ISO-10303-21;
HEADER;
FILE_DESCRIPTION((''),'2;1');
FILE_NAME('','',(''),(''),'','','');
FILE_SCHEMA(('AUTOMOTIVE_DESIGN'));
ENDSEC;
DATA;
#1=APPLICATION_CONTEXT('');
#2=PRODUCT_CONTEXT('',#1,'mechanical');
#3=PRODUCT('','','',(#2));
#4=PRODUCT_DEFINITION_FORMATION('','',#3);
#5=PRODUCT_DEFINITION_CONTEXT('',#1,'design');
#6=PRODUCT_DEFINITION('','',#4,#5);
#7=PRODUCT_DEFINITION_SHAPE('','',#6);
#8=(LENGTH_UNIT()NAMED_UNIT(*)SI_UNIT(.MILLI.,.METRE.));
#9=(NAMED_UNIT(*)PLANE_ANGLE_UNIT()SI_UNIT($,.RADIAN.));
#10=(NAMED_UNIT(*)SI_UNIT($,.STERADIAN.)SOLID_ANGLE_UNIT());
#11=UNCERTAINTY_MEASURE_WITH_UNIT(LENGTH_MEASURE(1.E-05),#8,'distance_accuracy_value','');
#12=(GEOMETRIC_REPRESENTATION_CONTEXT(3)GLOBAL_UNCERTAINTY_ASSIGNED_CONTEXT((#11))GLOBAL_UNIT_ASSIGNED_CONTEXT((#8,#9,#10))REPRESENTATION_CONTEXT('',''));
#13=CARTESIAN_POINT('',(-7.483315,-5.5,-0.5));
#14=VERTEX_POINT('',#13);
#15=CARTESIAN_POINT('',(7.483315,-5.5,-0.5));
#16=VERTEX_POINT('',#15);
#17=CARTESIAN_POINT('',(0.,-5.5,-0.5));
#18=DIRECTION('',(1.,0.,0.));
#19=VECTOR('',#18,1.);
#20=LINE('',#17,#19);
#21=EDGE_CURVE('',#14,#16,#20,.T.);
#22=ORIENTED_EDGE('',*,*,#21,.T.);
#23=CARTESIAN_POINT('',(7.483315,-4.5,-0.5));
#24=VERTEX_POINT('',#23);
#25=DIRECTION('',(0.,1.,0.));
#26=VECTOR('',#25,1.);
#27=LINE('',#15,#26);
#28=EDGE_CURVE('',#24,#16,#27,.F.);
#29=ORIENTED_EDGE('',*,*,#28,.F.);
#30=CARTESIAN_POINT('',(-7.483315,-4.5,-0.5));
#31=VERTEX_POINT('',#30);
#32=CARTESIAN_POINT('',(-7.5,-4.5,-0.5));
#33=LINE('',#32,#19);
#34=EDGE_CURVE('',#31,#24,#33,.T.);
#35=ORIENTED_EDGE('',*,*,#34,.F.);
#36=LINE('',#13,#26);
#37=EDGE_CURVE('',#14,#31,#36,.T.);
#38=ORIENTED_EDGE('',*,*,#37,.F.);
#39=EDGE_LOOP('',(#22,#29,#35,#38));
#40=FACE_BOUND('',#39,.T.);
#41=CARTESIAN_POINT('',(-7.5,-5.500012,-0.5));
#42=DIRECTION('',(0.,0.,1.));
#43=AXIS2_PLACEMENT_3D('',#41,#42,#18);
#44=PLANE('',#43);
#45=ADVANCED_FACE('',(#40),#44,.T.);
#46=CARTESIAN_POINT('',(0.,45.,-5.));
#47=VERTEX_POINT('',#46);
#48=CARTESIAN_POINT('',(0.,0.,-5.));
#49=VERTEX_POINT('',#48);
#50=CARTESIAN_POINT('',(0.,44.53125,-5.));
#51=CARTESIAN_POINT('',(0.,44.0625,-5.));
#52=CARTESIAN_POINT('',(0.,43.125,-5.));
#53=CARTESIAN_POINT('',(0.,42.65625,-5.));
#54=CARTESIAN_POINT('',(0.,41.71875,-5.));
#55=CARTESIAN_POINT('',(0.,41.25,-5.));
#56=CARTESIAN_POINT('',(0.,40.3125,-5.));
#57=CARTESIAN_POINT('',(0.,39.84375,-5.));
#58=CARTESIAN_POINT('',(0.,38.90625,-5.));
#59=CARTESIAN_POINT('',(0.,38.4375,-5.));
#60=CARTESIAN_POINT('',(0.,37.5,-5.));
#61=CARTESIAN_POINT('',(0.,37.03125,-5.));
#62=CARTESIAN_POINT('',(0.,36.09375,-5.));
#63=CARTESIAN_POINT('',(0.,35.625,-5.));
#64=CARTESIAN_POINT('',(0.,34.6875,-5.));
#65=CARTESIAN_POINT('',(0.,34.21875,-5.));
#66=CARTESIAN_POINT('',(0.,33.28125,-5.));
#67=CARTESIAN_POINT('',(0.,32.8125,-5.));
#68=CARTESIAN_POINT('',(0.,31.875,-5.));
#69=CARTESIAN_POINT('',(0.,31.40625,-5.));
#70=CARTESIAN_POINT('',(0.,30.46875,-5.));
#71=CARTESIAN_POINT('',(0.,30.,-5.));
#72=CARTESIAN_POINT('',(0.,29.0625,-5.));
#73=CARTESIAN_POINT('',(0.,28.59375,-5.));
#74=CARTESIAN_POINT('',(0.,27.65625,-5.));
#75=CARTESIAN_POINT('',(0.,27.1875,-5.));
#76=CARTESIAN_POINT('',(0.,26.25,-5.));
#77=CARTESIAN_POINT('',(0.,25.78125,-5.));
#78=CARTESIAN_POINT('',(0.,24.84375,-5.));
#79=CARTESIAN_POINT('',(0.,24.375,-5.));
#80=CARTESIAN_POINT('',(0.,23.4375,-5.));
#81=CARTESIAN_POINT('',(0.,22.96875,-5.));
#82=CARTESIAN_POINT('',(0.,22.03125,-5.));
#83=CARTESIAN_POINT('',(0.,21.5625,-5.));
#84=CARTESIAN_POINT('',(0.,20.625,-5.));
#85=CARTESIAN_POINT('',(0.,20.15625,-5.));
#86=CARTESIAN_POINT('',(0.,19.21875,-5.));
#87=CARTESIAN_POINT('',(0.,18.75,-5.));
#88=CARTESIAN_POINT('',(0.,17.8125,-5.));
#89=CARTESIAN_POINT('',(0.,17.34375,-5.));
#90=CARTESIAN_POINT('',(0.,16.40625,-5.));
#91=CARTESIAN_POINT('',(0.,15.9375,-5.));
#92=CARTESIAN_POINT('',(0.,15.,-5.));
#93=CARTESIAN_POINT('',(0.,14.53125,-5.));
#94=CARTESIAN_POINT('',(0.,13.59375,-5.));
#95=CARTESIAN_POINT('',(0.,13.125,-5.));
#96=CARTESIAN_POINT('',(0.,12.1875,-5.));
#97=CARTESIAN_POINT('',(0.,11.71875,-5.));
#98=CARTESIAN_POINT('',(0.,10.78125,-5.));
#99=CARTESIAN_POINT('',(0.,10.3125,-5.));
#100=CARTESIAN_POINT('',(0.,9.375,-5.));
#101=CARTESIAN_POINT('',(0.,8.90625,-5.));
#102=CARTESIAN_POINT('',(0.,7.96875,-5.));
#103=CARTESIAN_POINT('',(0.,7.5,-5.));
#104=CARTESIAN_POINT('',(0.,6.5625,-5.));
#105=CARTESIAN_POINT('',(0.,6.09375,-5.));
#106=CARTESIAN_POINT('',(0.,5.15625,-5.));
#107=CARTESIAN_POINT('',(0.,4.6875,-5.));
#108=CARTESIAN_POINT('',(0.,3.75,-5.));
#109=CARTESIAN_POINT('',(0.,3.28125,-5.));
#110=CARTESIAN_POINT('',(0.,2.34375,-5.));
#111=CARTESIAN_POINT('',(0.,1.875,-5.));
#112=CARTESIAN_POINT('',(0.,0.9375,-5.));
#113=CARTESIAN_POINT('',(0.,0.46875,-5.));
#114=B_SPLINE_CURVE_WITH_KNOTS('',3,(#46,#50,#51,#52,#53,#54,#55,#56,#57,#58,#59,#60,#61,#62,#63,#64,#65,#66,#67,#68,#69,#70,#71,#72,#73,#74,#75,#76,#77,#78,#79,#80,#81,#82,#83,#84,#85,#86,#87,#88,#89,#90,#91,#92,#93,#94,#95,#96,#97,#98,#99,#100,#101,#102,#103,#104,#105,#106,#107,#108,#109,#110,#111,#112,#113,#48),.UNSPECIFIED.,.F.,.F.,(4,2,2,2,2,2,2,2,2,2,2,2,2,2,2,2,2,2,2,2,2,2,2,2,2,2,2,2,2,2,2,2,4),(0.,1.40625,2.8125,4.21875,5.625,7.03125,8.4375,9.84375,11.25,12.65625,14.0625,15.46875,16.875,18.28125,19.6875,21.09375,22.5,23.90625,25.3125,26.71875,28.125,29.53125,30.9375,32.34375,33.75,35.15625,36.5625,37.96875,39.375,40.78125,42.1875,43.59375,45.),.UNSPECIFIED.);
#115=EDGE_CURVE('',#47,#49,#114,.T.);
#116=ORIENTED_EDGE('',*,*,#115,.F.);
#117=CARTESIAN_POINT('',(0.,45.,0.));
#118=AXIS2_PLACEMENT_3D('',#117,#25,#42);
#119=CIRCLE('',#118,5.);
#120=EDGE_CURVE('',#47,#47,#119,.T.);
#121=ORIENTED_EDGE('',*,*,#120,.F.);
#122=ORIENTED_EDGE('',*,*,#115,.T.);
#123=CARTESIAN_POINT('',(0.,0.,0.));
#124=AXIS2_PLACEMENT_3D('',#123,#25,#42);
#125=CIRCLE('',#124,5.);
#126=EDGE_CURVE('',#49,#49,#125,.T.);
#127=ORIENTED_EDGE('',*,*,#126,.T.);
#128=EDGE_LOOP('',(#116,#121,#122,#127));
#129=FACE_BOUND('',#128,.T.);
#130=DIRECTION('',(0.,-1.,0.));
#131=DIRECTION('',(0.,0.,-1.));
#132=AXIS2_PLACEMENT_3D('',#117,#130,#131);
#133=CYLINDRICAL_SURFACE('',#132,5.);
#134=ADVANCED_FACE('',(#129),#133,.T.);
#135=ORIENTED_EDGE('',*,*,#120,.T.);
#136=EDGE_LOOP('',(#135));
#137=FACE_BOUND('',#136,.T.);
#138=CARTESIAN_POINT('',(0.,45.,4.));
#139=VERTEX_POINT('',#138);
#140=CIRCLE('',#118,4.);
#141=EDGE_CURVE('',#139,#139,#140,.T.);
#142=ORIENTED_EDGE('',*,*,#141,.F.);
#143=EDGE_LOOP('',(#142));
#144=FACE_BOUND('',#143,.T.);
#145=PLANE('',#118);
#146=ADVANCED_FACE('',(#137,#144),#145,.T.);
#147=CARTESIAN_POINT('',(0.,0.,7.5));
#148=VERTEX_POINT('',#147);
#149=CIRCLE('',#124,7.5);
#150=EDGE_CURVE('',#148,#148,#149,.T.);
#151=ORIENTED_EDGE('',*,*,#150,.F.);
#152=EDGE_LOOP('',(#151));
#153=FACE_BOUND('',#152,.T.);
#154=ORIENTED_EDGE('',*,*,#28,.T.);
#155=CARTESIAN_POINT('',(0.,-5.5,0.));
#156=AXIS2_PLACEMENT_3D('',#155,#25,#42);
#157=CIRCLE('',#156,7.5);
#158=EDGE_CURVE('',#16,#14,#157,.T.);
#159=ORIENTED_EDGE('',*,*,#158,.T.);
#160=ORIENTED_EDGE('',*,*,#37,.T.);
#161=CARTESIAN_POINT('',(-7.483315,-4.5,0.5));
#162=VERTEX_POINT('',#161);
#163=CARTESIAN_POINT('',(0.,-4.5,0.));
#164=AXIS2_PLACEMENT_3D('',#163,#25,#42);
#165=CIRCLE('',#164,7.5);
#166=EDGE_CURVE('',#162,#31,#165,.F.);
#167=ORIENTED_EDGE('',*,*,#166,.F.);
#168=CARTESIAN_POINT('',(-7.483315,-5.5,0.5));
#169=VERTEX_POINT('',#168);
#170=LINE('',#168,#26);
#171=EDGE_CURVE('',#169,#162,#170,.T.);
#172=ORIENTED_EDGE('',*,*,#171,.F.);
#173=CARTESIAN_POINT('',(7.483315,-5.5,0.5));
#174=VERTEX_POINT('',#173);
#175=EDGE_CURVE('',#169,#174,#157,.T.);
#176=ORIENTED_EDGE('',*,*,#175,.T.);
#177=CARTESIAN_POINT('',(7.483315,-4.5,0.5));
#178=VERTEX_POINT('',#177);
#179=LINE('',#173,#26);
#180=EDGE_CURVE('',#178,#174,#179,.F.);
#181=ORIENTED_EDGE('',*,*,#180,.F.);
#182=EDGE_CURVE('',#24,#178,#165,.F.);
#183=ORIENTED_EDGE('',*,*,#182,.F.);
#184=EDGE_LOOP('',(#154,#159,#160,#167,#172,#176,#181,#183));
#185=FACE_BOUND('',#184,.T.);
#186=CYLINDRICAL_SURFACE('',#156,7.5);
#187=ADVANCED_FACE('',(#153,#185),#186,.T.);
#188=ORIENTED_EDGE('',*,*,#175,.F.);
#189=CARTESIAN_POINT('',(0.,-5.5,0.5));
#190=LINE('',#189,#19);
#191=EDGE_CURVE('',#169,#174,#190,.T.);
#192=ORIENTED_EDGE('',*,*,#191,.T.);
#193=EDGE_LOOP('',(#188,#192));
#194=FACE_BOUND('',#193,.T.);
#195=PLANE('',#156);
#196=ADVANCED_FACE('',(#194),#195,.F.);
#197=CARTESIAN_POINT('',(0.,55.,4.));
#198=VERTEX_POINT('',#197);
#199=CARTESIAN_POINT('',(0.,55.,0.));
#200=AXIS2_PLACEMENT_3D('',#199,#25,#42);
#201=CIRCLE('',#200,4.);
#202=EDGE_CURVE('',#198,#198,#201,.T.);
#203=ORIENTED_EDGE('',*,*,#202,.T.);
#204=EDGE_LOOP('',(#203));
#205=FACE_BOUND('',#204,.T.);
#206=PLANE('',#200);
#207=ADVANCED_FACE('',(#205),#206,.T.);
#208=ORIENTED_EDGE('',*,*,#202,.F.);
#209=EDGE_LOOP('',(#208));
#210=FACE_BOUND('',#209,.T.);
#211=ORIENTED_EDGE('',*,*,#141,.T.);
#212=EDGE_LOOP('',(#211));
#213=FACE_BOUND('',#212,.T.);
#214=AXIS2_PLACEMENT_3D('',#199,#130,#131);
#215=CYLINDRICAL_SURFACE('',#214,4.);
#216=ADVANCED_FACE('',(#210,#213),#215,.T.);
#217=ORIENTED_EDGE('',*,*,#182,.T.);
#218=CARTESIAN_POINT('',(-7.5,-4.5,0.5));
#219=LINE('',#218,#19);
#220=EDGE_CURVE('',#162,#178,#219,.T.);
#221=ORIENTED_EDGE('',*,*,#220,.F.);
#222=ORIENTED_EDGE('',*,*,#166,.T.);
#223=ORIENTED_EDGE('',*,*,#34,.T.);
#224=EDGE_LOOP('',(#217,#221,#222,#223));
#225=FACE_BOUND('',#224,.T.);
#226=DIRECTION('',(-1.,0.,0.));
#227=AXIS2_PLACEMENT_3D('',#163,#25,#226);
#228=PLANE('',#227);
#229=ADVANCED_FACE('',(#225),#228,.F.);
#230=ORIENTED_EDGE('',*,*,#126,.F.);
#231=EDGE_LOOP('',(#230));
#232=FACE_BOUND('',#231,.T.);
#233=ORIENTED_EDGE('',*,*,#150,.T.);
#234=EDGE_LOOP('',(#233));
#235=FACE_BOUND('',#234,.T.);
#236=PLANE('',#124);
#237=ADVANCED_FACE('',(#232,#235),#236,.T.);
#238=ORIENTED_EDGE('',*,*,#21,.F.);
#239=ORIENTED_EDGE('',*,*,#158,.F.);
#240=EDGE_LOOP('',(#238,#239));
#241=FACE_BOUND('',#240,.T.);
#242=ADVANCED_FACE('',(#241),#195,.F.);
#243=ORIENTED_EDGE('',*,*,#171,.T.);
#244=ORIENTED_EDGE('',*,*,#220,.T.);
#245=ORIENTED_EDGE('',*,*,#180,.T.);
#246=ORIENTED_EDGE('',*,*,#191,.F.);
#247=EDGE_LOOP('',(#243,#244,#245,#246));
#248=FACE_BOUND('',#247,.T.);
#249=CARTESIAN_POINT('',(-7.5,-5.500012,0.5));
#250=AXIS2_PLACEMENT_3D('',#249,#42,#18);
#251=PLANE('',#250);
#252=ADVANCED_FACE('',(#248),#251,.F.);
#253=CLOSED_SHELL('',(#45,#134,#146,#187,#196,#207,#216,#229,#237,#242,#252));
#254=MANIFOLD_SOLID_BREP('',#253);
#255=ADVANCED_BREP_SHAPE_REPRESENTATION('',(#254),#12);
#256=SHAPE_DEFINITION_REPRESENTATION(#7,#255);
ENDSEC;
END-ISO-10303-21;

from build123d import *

# Parameters (mm, degrees)
SKETCH_1_R               = 7.5
EXTRUDE_1_DEPTH          = 5.5
SKETCH_2_R               = 5
EXTRUDE_2_DEPTH          = 45
SKETCH_3_R               = 4
EXTRUDE_3_DEPTH          = 10
CUT_EXTRUDE_1_DEPTH      = 62.422715668
CUT_EXTRUDE_1_DEPTH_BACK = 1
SKETCH_4_W               = 15
SKETCH_4_H               = 1


with BuildPart() as part:
    # 草图1 → 凸台-拉伸1 (new body)
    with BuildSketch(Plane(origin=(0, 0, 0), x_dir=(1, 0, 0), z_dir=(0, 1, 0))):
        Circle(SKETCH_1_R)
    extrude(amount=-EXTRUDE_1_DEPTH)

    # 草图2 → 凸台-拉伸2 (add)
    with BuildSketch(Plane(origin=(0, 0, 0), x_dir=(1, 0, 0), z_dir=(0, 1, 0))):
        Circle(SKETCH_2_R)
    extrude(amount=EXTRUDE_2_DEPTH)

    # 草图3 → 凸台-拉伸3 (add)
    with BuildSketch(Plane(origin=(0, 45, 0), x_dir=(1, 0, 0), z_dir=(0, 1, 0))):
        Circle(SKETCH_3_R)
    extrude(amount=EXTRUDE_3_DEPTH)

    # 草图4 → 切除-拉伸-薄壁1 (cut, two sides: drawn at the far end of the back side and taken through both)
    with BuildSketch(Plane.XZ.offset(5.5).offset(-CUT_EXTRUDE_1_DEPTH_BACK)):
        Rectangle(SKETCH_4_W, SKETCH_4_H)
    extrude(amount=CUT_EXTRUDE_1_DEPTH + CUT_EXTRUDE_1_DEPTH_BACK, mode=Mode.SUBTRACT)


solid = part.part
